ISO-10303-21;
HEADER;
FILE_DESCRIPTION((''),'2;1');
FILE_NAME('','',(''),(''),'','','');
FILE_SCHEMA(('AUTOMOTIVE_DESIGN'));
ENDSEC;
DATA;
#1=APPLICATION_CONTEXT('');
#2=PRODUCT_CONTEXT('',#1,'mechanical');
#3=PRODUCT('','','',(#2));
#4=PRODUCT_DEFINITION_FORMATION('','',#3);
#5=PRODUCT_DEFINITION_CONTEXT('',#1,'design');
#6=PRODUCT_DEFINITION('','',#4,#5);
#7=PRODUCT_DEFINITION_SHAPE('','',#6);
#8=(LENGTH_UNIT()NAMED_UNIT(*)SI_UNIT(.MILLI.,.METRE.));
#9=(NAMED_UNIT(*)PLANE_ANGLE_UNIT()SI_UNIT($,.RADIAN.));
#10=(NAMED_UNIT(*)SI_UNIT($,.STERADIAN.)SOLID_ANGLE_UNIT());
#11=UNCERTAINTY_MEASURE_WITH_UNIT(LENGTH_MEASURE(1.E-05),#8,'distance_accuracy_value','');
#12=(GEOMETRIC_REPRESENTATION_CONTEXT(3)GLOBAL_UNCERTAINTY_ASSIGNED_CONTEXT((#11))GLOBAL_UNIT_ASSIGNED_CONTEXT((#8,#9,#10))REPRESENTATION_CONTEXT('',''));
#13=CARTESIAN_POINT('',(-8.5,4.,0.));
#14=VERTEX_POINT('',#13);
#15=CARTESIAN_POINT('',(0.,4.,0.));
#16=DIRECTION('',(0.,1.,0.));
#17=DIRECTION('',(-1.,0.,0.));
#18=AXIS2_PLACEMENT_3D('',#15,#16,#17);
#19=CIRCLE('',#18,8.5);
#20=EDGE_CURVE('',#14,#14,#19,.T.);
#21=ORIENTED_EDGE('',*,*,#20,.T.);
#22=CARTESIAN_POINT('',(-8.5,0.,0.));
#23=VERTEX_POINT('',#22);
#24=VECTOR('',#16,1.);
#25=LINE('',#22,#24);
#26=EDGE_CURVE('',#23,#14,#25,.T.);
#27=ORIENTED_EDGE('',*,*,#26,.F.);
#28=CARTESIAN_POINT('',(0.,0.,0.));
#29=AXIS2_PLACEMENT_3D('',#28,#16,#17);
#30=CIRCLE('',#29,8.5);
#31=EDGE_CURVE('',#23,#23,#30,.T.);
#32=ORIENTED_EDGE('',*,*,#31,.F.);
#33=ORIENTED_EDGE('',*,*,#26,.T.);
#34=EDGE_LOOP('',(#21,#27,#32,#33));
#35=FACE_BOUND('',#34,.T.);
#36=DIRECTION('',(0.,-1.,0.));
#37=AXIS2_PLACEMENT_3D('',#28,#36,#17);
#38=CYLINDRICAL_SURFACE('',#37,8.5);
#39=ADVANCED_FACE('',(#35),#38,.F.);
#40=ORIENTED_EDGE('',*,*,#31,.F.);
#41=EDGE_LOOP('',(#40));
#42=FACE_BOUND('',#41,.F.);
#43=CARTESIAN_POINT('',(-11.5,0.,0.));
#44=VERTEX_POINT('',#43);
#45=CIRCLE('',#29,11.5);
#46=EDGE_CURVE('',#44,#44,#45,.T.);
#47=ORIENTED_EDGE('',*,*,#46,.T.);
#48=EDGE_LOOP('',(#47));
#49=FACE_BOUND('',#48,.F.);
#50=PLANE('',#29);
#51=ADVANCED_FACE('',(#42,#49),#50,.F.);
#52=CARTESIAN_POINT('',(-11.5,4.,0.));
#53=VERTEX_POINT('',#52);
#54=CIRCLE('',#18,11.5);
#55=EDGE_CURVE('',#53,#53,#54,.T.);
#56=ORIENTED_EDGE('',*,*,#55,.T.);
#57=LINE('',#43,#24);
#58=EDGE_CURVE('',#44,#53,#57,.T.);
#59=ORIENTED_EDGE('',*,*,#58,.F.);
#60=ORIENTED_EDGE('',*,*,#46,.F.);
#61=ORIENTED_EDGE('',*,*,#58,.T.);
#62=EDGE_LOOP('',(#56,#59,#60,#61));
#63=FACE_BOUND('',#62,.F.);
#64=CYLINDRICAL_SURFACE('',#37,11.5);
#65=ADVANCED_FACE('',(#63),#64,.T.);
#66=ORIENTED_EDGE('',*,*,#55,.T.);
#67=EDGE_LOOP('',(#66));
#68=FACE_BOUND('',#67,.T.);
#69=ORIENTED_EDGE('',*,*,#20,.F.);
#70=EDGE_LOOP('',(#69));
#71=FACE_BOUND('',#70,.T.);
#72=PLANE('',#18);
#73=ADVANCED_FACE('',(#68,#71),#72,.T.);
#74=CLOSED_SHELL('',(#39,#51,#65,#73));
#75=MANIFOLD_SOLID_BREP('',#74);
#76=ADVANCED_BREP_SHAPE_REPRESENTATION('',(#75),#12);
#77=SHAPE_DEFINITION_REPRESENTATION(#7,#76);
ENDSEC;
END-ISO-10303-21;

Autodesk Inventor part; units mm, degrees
ref_plane "YZ Plane" through (0, 0, 0) normal (1, 0, 0) x (0, 1, 0)
ref_plane "XZ Plane" through (0, 0, 0) normal (0, 1, 0) x (-1, 0, 0)
ref_plane "XY Plane" through (0, 0, 0) normal (0, 0, 1) x (1, 0, 0)
sketch "Sketch1" plane through (0, 0, 0) normal (0, 1, 0) x (-1, 0, 0)
  circle A0 centre (0, 0) radius 8.5
  circle A1 centre (0, 0) radius 11.5
  dimension "d0" = 17
  dimension "d1" = 23
extrude "Extrusion1" add sketch "Sketch1" along normal blind 4
properties part number "6703zz"
